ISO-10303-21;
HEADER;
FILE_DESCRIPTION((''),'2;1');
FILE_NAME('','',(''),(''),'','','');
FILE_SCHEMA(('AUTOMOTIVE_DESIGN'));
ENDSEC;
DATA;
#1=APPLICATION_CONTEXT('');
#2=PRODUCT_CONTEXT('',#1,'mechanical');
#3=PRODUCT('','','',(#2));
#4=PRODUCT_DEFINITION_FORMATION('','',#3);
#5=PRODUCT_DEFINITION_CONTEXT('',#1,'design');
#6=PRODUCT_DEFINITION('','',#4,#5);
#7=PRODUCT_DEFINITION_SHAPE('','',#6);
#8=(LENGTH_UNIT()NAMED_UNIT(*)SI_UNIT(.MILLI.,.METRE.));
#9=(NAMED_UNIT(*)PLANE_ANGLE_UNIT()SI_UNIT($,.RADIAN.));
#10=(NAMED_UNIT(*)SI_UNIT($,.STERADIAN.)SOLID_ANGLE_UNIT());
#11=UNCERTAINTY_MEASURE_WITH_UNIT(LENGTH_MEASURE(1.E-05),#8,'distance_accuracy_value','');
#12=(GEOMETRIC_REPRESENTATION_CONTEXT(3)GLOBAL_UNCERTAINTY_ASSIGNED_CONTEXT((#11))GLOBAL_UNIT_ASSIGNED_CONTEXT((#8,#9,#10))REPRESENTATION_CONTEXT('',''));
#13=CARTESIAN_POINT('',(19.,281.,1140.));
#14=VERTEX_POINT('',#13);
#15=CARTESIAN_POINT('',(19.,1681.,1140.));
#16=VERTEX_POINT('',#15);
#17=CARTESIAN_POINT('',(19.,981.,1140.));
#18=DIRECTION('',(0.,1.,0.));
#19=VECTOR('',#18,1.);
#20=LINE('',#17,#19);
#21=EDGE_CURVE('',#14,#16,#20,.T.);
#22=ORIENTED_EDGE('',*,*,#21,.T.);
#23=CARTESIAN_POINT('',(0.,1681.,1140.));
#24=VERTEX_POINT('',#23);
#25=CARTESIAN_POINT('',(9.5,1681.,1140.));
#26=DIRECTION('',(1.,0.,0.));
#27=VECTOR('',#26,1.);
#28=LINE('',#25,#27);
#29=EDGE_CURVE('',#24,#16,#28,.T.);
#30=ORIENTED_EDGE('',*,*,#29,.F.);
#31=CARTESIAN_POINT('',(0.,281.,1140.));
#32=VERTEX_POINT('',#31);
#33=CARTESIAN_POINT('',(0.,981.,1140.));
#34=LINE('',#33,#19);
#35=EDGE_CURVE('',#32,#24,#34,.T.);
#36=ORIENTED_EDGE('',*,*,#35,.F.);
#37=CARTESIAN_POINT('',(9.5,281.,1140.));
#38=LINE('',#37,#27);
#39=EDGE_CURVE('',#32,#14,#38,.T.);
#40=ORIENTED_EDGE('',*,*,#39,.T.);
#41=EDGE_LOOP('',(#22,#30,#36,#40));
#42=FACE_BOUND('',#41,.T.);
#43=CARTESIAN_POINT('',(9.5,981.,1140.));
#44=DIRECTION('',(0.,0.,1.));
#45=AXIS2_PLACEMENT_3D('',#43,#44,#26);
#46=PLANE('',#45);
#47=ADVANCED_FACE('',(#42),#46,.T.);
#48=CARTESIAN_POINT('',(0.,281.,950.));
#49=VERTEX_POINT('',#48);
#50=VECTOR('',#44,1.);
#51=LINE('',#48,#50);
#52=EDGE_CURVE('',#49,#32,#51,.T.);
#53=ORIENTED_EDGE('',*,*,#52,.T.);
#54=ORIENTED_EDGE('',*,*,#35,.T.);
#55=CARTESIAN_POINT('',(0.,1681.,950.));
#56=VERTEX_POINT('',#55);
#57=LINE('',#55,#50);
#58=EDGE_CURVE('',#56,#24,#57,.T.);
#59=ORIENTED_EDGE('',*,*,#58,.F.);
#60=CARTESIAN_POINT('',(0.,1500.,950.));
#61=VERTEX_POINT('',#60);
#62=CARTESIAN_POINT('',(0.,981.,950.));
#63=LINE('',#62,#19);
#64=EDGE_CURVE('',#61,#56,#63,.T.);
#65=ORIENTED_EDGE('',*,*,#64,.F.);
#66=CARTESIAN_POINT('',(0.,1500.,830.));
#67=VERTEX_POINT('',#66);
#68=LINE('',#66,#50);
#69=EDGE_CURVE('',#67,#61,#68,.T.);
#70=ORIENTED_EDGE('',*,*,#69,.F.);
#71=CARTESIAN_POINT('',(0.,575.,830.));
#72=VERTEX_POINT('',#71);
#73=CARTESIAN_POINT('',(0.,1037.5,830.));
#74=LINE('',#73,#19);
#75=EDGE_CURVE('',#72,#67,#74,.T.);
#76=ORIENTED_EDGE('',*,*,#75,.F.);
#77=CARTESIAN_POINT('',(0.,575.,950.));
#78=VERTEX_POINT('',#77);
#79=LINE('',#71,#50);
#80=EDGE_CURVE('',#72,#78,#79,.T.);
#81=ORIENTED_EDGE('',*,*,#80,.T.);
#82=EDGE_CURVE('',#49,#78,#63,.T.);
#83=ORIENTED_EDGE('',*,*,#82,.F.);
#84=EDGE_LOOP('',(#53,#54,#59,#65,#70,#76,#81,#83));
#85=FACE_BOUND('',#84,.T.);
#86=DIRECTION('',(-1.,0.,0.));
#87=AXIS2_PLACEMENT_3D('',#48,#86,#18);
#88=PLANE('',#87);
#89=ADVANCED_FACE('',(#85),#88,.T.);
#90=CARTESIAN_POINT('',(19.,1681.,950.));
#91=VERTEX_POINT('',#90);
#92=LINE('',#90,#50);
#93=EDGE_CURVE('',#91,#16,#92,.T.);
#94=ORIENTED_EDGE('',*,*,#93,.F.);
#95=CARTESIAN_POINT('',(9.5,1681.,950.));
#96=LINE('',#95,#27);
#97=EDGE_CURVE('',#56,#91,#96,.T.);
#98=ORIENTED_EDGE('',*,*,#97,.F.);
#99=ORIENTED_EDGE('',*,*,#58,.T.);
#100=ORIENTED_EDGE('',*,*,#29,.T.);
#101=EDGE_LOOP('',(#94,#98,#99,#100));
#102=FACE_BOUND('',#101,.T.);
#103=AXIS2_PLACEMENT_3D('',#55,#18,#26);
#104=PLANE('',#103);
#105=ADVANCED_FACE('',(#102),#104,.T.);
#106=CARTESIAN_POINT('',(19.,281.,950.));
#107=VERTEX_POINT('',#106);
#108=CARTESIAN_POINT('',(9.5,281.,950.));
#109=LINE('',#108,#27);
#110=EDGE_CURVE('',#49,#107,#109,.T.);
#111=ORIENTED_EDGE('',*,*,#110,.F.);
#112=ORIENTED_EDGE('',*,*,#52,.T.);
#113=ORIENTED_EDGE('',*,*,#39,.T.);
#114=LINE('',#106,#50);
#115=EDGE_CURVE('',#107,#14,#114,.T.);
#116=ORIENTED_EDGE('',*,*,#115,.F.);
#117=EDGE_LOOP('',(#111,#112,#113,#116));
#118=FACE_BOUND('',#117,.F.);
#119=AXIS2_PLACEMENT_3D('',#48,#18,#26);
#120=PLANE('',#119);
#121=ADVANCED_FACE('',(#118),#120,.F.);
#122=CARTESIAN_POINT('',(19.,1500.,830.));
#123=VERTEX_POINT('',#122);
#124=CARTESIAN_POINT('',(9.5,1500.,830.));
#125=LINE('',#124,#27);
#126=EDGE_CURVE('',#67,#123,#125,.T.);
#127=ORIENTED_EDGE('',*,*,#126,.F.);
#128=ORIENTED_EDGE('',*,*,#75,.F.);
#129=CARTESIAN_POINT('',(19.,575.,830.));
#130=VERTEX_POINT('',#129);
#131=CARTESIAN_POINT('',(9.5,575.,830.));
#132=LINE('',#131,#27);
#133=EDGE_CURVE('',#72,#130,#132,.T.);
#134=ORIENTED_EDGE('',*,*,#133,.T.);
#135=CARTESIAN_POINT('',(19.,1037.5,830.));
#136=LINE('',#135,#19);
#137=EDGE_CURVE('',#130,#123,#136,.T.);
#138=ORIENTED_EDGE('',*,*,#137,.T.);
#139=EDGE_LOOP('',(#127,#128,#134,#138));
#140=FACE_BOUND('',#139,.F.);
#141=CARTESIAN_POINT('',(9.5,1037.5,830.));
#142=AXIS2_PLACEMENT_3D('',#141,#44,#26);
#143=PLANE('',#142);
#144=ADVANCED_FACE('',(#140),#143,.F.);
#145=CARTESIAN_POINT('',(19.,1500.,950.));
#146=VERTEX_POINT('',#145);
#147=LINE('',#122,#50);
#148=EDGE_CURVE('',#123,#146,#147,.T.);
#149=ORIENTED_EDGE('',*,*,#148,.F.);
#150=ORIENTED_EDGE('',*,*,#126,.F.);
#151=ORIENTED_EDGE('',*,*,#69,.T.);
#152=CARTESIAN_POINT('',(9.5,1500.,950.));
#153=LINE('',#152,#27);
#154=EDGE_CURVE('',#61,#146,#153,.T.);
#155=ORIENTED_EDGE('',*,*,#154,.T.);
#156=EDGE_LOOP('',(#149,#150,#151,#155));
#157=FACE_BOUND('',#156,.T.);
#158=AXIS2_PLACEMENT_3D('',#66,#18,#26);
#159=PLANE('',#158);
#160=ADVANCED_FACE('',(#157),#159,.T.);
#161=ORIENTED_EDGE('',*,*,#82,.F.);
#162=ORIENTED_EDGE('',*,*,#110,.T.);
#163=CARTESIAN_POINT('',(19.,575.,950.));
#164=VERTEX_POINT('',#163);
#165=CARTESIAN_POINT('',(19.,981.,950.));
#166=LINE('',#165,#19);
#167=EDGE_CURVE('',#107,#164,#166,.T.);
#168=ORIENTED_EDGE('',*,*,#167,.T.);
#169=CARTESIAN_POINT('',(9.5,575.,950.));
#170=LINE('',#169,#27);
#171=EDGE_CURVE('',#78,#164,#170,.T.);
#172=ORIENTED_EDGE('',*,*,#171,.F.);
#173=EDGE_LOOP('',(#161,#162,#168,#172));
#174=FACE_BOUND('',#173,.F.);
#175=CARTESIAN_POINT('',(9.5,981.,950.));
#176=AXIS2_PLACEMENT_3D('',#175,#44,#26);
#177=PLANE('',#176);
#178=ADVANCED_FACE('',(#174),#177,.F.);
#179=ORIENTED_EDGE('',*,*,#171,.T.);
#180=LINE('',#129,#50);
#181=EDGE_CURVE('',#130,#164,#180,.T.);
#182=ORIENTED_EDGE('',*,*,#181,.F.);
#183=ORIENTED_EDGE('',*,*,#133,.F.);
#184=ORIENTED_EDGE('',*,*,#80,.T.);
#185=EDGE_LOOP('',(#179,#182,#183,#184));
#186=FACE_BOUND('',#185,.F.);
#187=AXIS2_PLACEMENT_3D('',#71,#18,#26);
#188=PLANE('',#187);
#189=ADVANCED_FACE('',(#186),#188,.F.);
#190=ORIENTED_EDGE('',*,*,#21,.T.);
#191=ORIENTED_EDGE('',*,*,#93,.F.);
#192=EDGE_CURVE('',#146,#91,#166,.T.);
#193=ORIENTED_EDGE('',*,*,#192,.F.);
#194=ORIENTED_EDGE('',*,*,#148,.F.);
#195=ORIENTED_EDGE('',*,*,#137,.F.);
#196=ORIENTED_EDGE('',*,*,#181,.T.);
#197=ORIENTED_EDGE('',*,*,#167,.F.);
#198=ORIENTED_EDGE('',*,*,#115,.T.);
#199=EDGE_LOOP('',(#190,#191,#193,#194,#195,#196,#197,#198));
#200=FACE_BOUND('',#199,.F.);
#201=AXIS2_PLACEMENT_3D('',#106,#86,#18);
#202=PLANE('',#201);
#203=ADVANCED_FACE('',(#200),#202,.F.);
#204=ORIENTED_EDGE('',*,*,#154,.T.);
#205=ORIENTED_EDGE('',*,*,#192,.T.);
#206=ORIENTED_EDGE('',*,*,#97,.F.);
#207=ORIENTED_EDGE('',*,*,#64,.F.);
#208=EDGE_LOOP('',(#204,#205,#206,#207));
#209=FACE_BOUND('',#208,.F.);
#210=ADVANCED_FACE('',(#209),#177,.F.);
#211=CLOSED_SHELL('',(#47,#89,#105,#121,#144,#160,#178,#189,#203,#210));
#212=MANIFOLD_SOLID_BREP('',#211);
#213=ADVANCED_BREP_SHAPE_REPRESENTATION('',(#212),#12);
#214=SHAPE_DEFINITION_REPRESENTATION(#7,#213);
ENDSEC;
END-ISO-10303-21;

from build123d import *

# Parameters (mm, degrees)
BOX020_W     = 19
BOX020_H     = 1400
BOX020_DEPTH = 190
BOX025_W     = 19
BOX025_H     = 925
BOX025_DEPTH = 120


with BuildPart() as cube020:
    # Box020 → Box020 (new body)
    with BuildSketch(Plane(origin=(0, 281, 950), x_dir=(1, 0, 0), z_dir=(0, 0, 1))):
        with Locations((9.5, 700)):
            Rectangle(BOX020_W, BOX020_H)
    extrude(amount=BOX020_DEPTH)


with BuildPart() as footboard:
    # Box025 → Box025 (new body)
    with BuildSketch(Plane(origin=(0, 575, 830), x_dir=(1, 0, 0), z_dir=(0, 0, 1))):
        with Locations((9.5, 462.5)):
            Rectangle(BOX025_W, BOX025_H)
    extrude(amount=BOX025_DEPTH)

    # Fusion001: union Cube020
    add(cube020.part)


solid = footboard.part
